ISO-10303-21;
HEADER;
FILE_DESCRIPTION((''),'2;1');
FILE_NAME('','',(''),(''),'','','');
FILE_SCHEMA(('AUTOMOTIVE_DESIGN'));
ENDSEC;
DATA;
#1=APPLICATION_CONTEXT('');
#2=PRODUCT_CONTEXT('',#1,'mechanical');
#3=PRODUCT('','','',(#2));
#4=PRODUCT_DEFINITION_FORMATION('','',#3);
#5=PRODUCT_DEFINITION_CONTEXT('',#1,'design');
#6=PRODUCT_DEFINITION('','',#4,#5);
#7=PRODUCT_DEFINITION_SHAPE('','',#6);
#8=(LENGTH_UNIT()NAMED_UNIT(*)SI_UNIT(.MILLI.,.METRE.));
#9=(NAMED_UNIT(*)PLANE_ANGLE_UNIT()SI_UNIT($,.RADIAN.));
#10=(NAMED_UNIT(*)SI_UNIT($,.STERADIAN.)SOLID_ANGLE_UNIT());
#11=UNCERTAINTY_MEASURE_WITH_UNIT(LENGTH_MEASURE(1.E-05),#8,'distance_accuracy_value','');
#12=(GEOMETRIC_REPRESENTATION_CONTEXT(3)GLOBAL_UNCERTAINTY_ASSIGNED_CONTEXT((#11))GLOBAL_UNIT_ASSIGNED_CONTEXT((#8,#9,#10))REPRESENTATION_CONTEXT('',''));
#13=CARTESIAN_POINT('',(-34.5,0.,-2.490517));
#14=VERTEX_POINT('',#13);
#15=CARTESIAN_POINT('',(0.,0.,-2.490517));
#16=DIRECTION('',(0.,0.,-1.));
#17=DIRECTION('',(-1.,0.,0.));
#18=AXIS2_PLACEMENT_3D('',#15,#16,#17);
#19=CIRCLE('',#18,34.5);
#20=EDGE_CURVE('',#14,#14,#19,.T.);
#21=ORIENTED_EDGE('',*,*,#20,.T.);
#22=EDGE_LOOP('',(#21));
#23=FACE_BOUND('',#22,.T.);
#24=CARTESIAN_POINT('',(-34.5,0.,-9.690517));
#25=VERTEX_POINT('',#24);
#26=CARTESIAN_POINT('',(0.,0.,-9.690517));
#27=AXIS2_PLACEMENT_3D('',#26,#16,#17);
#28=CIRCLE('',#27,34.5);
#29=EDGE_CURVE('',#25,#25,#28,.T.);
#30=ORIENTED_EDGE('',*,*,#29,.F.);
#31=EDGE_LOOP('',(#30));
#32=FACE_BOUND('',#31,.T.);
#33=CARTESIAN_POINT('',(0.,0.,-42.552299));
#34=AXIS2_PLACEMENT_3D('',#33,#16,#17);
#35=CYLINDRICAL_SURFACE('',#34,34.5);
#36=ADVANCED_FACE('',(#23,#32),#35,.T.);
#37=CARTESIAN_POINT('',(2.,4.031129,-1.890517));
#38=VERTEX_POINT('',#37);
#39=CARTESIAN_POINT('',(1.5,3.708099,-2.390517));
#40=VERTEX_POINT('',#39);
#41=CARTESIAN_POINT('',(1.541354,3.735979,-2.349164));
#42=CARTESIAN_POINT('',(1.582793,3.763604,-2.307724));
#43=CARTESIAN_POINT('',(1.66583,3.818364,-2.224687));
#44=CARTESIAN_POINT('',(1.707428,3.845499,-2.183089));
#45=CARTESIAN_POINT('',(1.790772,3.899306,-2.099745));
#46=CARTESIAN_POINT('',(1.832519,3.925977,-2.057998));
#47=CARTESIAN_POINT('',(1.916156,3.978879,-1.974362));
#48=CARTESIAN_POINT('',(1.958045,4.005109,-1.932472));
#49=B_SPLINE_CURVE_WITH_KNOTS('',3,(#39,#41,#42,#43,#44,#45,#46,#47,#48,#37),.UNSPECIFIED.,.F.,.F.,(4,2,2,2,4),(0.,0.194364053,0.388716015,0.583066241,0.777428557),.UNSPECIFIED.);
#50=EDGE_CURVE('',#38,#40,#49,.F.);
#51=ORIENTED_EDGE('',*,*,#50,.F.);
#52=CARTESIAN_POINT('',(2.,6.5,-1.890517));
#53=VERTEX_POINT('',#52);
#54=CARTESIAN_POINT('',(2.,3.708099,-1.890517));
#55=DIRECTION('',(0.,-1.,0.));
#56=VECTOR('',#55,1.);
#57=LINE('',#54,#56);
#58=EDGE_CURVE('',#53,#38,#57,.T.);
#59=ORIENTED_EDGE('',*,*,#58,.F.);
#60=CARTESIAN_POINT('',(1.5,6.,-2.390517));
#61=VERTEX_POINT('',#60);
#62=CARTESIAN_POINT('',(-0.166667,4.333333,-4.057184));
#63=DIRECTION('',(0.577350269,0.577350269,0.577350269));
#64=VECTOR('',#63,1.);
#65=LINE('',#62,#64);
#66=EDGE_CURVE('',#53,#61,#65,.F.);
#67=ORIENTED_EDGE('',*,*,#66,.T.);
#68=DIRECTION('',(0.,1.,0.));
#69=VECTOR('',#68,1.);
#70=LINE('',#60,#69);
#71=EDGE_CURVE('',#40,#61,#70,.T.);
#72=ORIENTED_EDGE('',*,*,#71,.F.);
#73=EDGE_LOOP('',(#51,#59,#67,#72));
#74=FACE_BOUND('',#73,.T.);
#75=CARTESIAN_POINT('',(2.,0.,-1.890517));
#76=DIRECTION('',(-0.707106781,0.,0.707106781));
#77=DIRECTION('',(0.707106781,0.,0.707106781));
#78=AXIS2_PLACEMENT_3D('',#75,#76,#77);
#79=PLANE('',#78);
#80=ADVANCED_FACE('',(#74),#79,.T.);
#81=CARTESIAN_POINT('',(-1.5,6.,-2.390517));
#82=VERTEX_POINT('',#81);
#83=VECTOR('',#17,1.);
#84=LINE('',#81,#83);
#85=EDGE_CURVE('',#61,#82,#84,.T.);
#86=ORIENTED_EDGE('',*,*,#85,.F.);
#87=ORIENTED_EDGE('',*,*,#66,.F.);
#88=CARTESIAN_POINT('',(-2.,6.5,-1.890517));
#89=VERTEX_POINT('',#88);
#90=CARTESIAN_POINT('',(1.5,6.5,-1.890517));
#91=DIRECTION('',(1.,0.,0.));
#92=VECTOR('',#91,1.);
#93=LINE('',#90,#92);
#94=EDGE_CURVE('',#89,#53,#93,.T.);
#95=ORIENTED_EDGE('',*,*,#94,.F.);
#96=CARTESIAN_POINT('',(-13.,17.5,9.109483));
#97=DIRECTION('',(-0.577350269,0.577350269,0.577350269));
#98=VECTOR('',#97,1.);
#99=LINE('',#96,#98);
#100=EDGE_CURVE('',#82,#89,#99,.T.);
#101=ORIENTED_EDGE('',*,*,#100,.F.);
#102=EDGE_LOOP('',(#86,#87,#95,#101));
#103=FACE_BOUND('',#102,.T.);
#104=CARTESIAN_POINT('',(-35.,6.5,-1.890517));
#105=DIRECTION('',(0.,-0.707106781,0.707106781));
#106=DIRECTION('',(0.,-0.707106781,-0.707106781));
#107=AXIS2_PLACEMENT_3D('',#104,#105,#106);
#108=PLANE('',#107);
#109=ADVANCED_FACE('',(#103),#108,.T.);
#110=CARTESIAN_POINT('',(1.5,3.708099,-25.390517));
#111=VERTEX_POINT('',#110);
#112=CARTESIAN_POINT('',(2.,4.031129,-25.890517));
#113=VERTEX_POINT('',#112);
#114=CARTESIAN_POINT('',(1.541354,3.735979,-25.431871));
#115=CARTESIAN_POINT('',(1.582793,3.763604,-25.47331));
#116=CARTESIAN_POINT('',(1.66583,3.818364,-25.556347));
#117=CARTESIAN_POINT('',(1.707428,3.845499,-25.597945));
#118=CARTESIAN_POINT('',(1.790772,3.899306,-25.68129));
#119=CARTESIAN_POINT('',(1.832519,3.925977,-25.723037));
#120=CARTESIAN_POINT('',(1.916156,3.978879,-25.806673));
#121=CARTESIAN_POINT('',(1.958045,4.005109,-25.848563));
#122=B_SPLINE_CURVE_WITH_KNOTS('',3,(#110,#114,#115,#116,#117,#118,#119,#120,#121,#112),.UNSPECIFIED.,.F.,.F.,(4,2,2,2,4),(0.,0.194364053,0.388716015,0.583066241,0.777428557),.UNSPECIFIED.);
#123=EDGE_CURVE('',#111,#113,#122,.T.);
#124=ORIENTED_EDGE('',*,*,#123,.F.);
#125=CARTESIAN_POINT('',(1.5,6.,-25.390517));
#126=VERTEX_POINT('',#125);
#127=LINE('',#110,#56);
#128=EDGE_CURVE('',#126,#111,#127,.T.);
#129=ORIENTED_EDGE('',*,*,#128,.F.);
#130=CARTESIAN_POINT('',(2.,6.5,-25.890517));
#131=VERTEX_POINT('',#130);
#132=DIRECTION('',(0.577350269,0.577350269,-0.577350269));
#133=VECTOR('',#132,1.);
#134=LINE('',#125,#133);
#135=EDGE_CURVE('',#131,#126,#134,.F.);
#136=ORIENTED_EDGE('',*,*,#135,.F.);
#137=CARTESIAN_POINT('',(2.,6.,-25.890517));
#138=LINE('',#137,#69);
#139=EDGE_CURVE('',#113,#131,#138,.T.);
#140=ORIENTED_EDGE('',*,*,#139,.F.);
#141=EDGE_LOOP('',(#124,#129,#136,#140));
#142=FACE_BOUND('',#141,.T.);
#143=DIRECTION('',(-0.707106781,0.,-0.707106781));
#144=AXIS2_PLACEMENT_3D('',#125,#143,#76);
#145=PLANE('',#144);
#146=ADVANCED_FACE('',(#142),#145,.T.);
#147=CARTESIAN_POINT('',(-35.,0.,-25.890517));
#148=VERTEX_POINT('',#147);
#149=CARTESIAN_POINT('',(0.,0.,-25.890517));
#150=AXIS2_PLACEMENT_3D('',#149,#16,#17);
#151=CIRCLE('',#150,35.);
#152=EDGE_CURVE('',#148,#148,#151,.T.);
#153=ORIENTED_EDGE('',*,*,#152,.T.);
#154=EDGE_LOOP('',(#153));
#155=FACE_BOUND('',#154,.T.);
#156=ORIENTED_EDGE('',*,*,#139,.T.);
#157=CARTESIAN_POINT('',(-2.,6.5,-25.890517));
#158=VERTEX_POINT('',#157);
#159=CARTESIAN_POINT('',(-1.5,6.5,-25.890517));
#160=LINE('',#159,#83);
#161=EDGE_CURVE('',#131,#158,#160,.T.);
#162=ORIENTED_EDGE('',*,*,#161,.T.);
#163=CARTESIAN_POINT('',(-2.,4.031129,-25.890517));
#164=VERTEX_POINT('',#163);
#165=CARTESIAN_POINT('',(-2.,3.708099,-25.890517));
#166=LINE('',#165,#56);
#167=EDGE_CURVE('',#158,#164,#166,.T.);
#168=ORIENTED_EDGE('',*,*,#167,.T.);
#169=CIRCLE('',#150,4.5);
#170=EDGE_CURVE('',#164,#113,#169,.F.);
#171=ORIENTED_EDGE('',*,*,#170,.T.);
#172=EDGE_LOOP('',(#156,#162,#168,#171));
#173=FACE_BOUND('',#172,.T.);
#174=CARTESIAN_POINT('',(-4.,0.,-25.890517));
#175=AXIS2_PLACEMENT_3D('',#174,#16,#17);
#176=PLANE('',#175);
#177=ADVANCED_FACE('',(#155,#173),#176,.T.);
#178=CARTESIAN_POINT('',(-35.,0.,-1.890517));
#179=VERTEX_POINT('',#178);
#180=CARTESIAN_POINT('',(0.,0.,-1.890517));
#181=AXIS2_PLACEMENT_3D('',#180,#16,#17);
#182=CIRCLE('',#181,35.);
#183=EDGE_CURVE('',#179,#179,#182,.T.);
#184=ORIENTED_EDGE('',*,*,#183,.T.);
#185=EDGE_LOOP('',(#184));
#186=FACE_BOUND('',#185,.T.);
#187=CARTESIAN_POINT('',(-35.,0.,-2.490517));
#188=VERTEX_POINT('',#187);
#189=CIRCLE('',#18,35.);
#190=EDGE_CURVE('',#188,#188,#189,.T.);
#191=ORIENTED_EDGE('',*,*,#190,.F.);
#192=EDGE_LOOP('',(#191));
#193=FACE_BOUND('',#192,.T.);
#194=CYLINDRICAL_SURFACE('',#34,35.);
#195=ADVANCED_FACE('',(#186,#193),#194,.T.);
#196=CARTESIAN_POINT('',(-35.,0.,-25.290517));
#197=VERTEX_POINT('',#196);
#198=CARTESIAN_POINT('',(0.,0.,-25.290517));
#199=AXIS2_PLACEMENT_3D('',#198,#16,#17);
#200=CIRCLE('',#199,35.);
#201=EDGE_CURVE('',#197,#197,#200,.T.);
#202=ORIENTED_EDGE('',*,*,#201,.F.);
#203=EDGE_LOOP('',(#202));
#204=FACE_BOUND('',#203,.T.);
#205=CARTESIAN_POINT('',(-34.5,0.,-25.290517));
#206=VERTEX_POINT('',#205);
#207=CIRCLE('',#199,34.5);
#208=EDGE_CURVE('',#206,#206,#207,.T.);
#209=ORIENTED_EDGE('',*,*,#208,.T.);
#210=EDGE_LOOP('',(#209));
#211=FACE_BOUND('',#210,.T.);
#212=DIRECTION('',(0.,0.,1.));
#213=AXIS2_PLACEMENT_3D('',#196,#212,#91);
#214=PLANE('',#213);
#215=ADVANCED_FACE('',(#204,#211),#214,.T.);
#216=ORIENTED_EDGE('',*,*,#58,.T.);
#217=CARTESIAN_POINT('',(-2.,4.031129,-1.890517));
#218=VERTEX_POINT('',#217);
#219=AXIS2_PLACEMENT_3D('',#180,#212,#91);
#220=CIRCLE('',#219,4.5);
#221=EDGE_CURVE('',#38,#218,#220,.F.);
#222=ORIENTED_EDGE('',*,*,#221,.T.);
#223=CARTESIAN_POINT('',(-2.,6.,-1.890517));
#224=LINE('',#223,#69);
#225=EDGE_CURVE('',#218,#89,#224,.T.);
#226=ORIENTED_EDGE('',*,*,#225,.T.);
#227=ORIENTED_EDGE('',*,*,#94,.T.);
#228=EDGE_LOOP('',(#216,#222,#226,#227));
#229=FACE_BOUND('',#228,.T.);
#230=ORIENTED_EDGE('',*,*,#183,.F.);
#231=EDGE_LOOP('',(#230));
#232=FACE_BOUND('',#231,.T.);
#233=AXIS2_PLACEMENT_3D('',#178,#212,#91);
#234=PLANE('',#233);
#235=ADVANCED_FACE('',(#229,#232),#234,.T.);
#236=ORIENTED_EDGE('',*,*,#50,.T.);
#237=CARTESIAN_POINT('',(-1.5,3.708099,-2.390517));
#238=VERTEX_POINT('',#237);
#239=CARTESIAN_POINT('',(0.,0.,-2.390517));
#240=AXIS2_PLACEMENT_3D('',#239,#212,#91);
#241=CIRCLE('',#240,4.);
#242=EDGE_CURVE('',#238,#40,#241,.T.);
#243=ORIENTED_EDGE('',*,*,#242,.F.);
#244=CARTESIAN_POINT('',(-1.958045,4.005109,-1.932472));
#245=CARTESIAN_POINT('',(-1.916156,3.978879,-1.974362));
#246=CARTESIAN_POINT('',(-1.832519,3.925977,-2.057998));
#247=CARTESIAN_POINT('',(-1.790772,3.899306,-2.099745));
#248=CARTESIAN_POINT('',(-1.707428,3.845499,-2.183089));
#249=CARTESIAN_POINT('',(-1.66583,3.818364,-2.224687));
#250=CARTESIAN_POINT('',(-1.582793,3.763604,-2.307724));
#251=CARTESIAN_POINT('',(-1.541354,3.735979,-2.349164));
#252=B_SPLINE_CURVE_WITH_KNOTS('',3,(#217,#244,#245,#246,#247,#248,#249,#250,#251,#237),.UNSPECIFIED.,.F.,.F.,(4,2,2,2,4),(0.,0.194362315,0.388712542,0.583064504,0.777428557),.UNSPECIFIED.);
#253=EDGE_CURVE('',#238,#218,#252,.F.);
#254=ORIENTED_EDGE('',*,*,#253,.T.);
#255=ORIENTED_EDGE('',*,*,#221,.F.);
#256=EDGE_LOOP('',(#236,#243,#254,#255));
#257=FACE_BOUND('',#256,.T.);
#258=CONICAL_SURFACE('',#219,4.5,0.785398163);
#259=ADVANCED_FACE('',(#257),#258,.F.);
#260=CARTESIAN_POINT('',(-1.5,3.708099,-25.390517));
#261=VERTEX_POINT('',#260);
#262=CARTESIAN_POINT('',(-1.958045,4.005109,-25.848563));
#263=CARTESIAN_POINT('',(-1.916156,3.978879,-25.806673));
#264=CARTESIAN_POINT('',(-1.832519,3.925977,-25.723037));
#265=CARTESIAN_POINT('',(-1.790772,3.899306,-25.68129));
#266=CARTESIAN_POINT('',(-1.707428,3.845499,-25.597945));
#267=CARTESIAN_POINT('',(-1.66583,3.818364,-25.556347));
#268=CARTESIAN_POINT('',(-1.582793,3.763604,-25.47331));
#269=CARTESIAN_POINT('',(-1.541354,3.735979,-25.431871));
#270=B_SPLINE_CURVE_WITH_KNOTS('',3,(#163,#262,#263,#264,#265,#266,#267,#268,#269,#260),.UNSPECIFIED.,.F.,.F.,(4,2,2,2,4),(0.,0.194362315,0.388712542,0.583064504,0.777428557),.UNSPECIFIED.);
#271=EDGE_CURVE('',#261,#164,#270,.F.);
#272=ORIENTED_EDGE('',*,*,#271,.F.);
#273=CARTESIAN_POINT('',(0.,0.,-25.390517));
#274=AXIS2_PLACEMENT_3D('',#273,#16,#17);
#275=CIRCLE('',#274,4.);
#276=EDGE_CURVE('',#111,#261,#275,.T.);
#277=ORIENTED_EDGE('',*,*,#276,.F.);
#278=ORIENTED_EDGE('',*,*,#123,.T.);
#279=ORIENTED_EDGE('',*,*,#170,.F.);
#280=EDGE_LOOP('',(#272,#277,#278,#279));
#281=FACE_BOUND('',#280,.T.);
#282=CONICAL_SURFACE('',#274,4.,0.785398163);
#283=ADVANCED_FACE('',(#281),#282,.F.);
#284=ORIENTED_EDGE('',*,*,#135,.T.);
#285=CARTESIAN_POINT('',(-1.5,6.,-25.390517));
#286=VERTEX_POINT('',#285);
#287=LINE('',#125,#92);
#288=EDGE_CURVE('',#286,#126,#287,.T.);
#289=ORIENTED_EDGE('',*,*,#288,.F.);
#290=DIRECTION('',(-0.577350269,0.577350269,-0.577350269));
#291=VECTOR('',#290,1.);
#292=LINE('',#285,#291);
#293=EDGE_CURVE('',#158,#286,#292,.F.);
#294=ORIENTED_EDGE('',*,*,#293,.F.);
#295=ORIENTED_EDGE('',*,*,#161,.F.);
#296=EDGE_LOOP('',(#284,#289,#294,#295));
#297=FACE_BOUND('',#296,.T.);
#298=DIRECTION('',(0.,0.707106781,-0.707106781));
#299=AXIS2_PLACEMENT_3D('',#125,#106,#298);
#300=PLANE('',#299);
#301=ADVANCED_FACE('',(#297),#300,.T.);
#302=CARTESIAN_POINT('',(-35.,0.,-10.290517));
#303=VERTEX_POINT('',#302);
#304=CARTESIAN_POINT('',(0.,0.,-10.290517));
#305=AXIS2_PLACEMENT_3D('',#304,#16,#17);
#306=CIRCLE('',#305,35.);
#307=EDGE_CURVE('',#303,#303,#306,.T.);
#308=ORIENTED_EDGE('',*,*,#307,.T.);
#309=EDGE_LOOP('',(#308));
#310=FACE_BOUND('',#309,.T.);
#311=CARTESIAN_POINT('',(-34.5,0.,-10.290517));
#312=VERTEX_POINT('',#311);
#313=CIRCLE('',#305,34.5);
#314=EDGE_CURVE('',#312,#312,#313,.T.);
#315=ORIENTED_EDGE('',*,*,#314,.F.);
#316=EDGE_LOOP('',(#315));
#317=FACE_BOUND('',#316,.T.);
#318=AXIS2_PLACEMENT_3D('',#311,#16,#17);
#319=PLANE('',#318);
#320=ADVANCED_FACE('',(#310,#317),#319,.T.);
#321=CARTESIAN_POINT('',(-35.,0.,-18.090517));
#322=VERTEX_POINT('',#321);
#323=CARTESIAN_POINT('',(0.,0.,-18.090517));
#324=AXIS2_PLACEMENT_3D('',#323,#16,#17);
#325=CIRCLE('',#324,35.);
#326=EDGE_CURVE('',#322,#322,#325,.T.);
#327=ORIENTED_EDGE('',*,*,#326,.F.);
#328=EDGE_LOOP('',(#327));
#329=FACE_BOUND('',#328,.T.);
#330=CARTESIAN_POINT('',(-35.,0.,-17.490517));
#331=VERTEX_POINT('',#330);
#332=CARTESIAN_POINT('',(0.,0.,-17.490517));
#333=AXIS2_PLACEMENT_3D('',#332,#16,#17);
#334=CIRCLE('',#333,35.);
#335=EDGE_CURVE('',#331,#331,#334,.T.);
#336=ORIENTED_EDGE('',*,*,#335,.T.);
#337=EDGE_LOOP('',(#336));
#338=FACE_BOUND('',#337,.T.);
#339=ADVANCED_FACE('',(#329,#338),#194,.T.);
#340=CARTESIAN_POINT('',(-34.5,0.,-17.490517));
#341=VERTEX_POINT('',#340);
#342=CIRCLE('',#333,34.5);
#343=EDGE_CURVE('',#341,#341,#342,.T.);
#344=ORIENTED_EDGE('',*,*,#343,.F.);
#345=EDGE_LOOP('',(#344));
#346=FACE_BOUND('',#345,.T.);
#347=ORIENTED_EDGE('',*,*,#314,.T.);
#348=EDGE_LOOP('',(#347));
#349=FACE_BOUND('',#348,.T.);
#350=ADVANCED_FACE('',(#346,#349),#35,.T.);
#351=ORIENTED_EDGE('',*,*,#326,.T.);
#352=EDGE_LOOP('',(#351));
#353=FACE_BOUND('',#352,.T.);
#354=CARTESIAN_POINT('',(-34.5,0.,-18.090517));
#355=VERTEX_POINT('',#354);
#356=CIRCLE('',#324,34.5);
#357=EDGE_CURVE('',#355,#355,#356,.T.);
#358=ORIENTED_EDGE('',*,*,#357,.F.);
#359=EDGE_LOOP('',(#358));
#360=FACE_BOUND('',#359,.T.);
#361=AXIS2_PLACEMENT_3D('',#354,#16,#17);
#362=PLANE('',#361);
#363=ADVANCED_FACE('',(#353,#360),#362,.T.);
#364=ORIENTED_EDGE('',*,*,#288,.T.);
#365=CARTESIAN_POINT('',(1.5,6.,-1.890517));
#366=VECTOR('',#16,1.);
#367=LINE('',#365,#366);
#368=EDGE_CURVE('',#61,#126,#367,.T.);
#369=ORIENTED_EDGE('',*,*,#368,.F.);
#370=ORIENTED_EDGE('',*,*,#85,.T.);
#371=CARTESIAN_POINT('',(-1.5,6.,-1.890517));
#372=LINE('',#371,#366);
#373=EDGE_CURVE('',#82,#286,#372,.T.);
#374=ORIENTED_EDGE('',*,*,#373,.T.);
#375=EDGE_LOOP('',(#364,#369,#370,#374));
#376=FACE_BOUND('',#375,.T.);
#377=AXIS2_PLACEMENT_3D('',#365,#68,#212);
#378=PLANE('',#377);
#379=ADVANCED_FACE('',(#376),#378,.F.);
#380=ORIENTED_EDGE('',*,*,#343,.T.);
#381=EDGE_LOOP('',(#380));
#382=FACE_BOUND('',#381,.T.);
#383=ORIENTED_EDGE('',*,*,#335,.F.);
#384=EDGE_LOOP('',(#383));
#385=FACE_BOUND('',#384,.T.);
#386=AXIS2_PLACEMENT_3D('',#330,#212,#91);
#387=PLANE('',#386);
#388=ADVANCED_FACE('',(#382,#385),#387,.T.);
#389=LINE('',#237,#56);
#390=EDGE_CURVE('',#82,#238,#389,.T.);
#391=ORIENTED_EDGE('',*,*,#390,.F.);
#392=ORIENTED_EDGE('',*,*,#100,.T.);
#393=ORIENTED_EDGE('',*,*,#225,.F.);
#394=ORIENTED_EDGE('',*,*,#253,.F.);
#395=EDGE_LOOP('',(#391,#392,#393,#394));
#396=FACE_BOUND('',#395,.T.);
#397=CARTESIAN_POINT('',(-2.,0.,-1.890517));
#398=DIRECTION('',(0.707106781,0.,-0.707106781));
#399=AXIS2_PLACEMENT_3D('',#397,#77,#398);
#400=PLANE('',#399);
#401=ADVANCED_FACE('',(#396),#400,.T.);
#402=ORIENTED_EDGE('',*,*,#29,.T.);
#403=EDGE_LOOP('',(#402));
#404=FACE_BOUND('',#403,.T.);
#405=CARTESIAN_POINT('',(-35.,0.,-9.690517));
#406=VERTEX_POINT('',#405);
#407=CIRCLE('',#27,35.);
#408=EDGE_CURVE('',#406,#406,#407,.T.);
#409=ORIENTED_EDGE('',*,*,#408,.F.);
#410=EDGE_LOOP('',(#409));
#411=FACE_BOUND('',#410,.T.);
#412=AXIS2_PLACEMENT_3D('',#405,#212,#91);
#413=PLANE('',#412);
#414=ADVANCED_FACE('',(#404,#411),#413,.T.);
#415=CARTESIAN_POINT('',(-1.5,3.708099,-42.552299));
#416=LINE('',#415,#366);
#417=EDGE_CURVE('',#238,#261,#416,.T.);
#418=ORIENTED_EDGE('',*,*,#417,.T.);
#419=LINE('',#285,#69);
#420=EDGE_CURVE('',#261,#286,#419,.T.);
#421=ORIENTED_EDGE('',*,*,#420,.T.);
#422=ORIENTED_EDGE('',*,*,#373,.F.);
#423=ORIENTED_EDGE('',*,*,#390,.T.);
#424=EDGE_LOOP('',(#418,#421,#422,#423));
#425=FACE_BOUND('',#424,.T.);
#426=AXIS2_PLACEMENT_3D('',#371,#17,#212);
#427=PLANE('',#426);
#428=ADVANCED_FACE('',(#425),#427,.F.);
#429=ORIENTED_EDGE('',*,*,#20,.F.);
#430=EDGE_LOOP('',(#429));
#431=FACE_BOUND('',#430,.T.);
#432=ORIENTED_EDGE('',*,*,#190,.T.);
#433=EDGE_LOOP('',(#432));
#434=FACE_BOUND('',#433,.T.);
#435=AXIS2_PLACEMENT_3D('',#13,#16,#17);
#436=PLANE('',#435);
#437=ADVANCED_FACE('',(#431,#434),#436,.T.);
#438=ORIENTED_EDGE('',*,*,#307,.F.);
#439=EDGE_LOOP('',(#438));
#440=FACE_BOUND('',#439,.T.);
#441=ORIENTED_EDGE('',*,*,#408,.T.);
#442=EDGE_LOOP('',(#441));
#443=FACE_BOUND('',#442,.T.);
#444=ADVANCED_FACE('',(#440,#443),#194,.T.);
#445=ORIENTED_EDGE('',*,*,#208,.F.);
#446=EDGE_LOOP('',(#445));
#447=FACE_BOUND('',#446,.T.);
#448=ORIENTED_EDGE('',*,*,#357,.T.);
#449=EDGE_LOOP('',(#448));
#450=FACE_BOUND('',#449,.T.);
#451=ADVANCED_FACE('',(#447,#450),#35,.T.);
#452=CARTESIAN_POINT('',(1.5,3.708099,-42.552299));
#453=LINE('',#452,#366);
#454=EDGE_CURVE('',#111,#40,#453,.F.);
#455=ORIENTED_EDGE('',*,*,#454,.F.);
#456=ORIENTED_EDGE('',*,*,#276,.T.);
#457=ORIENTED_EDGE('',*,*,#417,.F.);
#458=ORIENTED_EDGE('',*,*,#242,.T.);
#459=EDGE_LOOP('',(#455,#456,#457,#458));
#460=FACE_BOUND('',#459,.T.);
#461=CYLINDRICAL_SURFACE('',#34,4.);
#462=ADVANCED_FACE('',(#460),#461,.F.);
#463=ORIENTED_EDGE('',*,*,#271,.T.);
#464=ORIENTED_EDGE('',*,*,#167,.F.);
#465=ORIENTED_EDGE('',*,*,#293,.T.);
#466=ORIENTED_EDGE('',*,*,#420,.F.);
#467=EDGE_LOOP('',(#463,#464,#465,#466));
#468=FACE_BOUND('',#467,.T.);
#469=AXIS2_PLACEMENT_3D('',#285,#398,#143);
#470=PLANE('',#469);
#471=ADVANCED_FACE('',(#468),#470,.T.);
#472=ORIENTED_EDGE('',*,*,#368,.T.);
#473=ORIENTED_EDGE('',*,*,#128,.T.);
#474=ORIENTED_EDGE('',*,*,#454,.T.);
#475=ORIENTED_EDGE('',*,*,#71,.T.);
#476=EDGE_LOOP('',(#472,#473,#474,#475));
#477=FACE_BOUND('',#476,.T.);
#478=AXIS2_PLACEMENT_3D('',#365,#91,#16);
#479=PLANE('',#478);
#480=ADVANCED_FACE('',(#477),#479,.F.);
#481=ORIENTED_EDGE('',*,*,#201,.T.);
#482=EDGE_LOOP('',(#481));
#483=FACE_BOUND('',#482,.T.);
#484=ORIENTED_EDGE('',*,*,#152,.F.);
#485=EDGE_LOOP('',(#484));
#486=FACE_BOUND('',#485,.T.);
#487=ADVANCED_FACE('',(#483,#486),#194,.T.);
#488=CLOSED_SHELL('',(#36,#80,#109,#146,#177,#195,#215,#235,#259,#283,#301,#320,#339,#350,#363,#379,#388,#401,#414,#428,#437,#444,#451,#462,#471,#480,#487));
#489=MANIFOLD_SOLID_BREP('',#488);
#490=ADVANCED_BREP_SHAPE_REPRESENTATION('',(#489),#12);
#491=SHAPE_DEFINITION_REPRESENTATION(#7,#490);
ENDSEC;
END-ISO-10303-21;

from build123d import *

# Parameters (mm, degrees)
SKETCH2_W          = 3
SKETCH2_H          = 6
CUT_EXTRUDE1_DEPTH = 56.009090158
CHAMFER1_SIZE      = 0.5


with BuildPart() as part:
    # Sketch1 → Revolve1 (revolve)
    with BuildSketch(Plane(origin=(0, 0, 0), x_dir=(1, 0, 0), z_dir=(0, 1, 0))):
        Polygon((-4, 25.890517241), (-35, 25.890517241), (-35, 25.290517241), (-34.5, 25.290517241), (-34.5, 18.090517241), (-35, 18.090517241), (-35, 17.490517241), (-34.5, 17.490517241), (-34.5, 10.290517241), (-35, 10.290517241), (-35, 9.690517241), (-34.5, 9.690517241), (-34.5, 2.490517241), (-35, 2.490517241), (-35, 1.890517241), (-4, 1.890517241), align=None)
    revolve(axis=Axis((0, 0, -42.552298851), (0, 0, 1)))

    # Sketch2 → Cut-Extrude1 (cut, through all)
    with BuildSketch(Plane(origin=(0, 0, -25.890517241), x_dir=(-1, 0, 0), z_dir=(0, 0, -1))):
        with Locations((0, 3)):
            Rectangle(SKETCH2_W, SKETCH2_H)
    extrude(amount=-CUT_EXTRUDE1_DEPTH, mode=Mode.SUBTRACT)

    # Chamfer1
    chamfer1_edges = [part.edges().sort_by_distance(p)[0] for p in [
        (0, -4, -25.890517241),
        (-1.5, 4.854049622, -25.890517241),
        (0, -4, -1.890517241),
        (-1.5, 4.854049622, -1.890517241),
        (1.5, 4.854049622, -1.890517241),
        (0, 6, -1.890517241),
        (0, 6, -25.890517241),
        (1.5, 4.854049622, -25.890517241),
    ]]
    chamfer(chamfer1_edges, length=CHAMFER1_SIZE)


solid = part.part
